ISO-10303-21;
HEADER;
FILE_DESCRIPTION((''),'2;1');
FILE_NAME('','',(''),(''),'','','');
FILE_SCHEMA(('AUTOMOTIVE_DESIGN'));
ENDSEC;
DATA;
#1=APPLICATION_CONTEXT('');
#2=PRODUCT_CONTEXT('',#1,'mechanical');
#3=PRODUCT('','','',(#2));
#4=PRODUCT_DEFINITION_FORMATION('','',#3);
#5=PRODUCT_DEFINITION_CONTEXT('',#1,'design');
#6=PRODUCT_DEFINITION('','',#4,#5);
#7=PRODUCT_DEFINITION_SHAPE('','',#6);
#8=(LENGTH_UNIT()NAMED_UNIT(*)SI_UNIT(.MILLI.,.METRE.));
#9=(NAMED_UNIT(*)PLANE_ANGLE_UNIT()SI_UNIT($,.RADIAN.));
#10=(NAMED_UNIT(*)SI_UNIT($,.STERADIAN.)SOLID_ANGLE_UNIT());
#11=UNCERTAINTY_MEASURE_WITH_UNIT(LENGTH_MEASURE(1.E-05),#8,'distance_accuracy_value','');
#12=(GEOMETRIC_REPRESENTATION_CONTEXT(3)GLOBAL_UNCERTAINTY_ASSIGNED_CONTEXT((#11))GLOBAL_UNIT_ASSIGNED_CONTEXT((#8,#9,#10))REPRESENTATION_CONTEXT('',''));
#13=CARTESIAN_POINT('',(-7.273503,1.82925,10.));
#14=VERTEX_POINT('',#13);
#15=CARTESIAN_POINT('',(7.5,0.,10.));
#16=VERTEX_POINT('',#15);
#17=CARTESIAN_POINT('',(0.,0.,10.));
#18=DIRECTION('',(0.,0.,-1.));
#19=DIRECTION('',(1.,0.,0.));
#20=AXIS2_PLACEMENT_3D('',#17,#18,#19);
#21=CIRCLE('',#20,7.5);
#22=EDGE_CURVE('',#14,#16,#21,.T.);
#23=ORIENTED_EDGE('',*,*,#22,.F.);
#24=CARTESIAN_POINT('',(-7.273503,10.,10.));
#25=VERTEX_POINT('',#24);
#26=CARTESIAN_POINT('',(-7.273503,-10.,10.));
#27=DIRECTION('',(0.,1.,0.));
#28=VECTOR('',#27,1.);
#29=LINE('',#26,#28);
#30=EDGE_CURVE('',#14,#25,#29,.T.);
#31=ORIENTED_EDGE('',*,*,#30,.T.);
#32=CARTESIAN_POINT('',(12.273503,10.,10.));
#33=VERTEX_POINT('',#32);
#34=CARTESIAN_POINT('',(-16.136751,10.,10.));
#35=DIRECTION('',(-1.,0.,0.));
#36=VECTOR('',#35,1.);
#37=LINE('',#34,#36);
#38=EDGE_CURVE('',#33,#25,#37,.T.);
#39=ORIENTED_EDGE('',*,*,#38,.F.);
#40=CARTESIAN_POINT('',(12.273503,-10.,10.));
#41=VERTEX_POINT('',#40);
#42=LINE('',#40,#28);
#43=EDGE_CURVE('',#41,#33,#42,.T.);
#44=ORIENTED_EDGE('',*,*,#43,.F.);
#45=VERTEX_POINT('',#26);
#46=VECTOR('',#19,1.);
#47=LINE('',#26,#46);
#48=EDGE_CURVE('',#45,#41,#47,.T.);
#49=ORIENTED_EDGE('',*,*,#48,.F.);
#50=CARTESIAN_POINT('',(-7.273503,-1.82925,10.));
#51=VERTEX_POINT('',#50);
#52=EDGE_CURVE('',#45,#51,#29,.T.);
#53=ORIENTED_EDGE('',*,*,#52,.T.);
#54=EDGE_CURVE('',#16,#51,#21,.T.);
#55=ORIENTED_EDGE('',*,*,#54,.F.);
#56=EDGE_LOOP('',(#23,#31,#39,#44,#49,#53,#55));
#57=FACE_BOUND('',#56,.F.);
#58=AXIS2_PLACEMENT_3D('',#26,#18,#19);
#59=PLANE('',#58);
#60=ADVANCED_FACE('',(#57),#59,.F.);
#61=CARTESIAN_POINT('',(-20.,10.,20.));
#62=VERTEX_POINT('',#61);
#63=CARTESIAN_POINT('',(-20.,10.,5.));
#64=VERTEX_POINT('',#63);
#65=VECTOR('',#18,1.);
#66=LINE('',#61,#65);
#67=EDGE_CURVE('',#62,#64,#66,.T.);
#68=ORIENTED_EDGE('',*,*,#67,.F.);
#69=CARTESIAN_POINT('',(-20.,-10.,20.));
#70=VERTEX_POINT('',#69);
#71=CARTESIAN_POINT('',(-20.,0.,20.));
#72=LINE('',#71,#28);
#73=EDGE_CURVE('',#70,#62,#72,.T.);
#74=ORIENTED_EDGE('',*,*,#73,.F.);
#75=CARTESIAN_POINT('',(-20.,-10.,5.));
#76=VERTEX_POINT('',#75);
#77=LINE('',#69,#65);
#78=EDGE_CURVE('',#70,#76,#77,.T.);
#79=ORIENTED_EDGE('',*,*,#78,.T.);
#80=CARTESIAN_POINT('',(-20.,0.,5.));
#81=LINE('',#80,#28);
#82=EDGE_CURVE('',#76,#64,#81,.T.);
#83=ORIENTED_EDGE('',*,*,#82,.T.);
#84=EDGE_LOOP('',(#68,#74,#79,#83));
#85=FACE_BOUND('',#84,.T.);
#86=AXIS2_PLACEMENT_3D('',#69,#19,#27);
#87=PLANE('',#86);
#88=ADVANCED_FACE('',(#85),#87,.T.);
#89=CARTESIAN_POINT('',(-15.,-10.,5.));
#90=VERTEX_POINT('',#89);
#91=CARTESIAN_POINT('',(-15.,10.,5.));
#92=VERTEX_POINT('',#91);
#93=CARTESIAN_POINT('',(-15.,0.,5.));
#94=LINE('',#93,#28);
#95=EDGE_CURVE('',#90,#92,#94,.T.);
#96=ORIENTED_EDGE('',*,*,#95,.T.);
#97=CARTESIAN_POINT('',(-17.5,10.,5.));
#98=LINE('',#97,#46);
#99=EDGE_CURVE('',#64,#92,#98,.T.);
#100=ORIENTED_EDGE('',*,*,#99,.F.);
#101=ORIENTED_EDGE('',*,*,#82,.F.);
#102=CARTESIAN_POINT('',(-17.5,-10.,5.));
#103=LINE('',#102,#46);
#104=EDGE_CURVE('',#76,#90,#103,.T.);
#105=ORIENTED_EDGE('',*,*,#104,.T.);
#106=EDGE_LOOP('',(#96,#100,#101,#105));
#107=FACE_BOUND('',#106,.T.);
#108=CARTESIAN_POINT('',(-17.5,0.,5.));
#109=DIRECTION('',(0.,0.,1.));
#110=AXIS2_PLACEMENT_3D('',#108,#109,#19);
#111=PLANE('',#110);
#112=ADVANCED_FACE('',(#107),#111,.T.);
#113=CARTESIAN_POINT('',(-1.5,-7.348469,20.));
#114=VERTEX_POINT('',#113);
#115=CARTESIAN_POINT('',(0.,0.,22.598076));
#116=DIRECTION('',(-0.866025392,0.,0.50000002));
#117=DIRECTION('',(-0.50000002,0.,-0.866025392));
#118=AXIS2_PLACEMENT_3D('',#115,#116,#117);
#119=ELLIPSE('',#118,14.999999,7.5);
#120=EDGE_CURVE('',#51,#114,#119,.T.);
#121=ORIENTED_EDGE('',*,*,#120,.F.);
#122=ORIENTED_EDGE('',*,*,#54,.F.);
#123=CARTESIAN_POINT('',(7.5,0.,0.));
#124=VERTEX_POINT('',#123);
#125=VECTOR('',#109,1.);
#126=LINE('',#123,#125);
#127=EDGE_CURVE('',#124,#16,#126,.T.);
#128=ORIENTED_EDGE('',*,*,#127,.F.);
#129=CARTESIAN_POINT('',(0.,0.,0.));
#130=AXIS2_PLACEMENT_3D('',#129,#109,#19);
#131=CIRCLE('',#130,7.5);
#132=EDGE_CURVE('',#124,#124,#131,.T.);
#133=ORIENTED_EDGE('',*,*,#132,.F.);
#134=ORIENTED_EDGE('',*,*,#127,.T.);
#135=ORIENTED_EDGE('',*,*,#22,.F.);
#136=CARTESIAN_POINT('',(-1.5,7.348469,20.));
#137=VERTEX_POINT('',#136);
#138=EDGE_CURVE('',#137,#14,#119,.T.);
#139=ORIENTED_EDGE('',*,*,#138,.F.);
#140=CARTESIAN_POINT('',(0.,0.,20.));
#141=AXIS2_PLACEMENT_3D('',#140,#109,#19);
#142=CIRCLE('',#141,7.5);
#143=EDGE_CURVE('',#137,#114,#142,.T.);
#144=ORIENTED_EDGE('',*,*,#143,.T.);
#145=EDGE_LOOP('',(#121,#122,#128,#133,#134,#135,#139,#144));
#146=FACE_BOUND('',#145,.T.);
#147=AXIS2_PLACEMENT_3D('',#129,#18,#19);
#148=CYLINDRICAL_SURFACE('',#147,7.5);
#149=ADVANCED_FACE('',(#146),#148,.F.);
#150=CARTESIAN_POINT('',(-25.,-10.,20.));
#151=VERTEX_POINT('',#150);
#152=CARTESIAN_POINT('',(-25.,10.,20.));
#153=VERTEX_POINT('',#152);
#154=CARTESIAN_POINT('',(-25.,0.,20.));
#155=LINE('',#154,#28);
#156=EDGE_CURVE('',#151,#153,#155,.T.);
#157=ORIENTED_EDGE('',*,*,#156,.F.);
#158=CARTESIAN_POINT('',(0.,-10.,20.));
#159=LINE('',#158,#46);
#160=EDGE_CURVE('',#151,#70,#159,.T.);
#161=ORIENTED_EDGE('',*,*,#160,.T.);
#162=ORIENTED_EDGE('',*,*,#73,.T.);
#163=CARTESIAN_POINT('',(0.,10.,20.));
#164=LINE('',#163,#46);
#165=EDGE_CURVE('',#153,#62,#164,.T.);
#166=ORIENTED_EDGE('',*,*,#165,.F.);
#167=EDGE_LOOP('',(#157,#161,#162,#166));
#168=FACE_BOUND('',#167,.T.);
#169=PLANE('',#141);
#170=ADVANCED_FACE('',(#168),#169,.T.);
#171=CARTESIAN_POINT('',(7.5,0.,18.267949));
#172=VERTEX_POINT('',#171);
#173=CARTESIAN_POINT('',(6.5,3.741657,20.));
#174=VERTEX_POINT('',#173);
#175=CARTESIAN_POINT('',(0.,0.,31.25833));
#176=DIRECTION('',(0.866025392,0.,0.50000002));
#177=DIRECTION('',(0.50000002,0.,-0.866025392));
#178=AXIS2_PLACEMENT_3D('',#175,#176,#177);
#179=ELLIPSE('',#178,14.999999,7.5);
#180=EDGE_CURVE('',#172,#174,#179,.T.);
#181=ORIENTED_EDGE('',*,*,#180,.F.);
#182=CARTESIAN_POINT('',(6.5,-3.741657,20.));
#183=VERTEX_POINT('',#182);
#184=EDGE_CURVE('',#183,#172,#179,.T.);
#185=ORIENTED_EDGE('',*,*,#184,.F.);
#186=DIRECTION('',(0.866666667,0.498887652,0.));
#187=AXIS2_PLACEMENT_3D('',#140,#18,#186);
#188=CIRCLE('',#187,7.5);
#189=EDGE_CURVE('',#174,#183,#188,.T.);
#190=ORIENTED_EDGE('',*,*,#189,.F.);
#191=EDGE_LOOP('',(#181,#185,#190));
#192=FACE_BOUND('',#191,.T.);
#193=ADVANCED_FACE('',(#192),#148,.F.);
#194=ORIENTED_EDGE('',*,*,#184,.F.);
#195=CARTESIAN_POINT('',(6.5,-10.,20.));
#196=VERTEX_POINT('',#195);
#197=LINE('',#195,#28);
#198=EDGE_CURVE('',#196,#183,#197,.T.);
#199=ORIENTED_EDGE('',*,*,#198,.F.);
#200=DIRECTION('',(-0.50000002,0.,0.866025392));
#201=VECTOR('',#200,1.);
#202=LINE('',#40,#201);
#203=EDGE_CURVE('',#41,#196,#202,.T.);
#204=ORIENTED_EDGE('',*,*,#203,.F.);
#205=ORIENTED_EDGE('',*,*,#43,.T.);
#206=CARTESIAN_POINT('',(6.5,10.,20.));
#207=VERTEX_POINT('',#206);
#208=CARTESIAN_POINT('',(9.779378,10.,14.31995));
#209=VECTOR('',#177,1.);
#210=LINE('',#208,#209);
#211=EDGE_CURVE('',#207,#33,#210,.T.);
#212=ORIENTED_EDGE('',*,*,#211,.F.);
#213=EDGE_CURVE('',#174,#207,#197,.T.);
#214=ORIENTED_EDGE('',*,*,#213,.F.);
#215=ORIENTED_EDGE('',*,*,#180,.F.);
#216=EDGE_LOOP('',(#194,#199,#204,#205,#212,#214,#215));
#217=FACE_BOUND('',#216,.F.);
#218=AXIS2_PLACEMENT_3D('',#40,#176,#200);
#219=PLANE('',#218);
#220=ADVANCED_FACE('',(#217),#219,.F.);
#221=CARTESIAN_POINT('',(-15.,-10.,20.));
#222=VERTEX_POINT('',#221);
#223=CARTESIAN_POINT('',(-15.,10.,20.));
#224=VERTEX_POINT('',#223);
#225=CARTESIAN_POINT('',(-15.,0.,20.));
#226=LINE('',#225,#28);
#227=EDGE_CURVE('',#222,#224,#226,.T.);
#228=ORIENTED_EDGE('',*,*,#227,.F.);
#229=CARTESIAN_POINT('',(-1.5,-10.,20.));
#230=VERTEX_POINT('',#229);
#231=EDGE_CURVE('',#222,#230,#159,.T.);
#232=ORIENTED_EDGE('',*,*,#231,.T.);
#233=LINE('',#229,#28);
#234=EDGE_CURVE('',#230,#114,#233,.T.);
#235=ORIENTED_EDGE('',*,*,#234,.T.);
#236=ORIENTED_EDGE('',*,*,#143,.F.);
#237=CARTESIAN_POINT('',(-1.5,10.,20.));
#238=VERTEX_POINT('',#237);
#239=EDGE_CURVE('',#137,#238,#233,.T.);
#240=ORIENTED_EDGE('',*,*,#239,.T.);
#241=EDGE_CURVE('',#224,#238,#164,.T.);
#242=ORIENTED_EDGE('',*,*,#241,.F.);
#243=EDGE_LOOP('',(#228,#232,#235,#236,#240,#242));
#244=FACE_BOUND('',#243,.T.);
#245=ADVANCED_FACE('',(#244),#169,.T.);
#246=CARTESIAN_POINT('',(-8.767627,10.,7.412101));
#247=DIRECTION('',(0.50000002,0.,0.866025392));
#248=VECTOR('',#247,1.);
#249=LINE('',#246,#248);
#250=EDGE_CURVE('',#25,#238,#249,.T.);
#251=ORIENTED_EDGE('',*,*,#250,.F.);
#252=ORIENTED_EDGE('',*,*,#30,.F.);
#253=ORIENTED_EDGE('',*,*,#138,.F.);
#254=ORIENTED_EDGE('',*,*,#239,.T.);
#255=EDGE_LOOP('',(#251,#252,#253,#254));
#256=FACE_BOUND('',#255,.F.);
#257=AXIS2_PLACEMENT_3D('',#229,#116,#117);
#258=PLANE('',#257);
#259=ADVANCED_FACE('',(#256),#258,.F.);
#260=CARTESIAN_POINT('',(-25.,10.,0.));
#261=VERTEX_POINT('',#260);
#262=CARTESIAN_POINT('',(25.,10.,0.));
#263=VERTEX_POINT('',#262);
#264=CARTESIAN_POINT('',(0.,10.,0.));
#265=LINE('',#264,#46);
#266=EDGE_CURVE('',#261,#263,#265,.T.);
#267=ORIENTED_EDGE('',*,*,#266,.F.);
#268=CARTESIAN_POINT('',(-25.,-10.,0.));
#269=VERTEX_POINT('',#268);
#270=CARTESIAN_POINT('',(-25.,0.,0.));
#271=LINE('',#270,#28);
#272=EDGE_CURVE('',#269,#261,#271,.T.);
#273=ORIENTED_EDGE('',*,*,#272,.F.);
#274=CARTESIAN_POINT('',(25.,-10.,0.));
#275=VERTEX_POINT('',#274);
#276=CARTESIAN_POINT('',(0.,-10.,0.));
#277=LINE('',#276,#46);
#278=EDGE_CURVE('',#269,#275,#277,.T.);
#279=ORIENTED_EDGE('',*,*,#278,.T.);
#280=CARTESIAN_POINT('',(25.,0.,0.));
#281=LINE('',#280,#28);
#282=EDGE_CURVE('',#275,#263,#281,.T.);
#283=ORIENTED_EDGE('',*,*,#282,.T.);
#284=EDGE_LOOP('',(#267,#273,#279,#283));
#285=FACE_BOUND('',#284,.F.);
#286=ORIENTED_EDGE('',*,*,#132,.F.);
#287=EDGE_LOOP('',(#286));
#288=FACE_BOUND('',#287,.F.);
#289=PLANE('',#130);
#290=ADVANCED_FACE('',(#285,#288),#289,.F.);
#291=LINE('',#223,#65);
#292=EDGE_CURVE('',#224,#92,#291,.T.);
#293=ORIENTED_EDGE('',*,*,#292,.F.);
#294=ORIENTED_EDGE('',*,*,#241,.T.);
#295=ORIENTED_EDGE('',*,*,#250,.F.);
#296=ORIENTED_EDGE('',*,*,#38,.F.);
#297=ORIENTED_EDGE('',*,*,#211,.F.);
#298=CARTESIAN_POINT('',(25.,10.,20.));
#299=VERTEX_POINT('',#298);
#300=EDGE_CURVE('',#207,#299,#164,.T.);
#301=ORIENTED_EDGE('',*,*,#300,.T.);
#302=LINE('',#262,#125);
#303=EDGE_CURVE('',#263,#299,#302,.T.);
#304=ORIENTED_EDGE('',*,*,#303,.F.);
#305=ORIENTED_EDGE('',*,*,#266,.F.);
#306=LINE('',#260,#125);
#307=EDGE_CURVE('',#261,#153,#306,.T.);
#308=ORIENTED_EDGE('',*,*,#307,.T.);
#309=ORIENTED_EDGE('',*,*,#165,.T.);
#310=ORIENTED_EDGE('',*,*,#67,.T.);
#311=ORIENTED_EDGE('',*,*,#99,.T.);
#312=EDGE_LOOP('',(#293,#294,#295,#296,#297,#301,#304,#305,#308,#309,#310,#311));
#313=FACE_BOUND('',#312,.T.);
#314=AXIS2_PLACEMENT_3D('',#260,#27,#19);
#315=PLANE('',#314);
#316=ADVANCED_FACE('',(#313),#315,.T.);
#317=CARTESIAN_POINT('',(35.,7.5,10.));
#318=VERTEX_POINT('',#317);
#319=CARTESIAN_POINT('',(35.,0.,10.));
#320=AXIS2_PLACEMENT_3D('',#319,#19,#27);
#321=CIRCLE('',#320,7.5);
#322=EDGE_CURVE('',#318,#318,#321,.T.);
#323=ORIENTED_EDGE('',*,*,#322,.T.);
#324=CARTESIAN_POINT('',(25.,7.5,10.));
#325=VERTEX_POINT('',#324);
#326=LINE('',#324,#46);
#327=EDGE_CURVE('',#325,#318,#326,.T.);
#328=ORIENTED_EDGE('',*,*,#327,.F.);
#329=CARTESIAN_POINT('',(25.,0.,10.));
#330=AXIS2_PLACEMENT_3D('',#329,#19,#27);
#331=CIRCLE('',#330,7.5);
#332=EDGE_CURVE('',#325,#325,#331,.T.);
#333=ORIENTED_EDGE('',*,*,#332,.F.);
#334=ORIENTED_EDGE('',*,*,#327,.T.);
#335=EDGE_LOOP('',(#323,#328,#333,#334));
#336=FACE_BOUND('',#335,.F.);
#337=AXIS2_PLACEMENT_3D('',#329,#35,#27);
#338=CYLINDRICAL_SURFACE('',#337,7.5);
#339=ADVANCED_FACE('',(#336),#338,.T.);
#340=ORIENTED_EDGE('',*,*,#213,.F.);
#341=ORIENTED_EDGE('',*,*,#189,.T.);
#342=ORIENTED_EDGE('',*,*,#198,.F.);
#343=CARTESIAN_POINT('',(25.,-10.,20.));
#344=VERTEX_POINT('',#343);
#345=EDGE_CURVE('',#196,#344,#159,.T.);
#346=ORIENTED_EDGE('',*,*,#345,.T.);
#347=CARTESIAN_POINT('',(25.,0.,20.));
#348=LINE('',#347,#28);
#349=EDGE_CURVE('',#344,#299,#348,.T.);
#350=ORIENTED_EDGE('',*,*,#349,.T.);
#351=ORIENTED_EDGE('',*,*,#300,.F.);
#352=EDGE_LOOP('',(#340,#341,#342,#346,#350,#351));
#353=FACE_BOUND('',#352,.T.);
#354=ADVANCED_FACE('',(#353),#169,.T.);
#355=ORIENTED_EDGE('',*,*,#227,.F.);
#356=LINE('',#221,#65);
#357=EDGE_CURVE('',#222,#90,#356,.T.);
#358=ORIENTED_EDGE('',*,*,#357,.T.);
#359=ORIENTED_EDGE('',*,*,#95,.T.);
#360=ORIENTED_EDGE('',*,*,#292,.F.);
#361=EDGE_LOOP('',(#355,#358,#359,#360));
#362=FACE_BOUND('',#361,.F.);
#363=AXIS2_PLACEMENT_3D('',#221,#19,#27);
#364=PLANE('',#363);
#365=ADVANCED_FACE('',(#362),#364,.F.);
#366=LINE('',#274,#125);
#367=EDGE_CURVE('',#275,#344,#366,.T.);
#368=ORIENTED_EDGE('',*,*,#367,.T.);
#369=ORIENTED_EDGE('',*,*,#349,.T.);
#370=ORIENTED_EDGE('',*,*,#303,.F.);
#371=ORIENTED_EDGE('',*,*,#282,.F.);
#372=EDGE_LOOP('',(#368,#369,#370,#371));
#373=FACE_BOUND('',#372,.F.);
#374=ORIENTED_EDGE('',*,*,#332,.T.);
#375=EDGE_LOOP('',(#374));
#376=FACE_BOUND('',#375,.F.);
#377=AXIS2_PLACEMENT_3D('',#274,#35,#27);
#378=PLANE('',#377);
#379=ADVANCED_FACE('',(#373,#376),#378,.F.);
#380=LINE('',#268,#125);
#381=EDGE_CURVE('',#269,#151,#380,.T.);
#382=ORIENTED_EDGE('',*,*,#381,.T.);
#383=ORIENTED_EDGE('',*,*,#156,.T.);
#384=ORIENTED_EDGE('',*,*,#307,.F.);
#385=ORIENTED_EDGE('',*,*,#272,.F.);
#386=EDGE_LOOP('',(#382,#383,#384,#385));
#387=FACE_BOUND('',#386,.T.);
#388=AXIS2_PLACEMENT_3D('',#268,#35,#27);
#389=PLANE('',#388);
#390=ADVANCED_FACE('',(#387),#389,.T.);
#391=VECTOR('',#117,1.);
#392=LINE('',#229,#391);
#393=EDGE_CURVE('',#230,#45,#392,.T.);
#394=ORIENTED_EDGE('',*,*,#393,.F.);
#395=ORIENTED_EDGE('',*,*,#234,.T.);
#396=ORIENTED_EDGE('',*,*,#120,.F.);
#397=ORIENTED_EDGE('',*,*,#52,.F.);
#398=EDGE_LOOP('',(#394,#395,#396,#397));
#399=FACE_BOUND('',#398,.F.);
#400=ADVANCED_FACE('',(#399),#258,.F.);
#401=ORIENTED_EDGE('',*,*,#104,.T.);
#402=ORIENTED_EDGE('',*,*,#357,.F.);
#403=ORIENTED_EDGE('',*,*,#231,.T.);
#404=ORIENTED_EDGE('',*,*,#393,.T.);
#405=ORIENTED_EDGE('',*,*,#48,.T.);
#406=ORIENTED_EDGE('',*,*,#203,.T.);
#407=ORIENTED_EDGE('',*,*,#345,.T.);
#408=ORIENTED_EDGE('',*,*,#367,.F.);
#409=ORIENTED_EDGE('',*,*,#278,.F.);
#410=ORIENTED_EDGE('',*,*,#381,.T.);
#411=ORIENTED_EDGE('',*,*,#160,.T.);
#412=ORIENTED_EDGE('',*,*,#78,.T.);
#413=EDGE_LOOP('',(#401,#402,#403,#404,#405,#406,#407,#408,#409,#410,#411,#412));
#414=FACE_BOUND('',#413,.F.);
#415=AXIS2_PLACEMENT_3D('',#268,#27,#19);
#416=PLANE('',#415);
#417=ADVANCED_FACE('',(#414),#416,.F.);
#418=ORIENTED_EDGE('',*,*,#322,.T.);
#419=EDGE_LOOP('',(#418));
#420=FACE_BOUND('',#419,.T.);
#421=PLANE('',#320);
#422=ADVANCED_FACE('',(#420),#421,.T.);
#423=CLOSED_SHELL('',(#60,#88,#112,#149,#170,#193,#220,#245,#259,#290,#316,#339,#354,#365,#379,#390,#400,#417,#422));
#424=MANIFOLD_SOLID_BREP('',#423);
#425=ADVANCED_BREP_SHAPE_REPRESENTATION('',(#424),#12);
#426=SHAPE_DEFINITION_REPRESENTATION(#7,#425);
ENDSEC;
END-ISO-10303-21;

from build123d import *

# Parameters (mm, degrees)
F0_W     = 50
F0_H     = 20
F0_R     = 7.5
F1_DEPTH = 20
F2_W     = 5
F2_H     = 20
F3_DEPTH = 15
F5_DEPTH = 20.001
F6_R     = 7.5
F7_DEPTH = 10


with BuildPart() as f1:
    # F0 (on Top) → F1 (new body)
    with BuildSketch(Plane.XY):
        Rectangle(F0_W, F0_H)
        Circle(F0_R, mode=Mode.SUBTRACT)
    extrude(amount=F1_DEPTH)

    # F2 (on face) → F3 (cut)
    with BuildSketch(Plane.XY.offset(20)):
        with Locations((-17.5, 0)):
            Rectangle(F2_W, F2_H)
    extrude(amount=-F3_DEPTH, mode=Mode.SUBTRACT)

    # F4 (on face) → F5 (cut, through all)
    with BuildSketch(Plane.XZ.offset(10)):
        Polygon((6.5, 20), (-1.5, 20), (-7.273503, 10), (12.273503, 10), align=None)
    extrude(amount=-F5_DEPTH, mode=Mode.SUBTRACT)

    # F6 (on face) → F7 (join)
    with BuildSketch(Plane.YZ.offset(25)):
        with Locations((0, 10)):
            Circle(F6_R)
    extrude(amount=F7_DEPTH)


solid = f1.part
